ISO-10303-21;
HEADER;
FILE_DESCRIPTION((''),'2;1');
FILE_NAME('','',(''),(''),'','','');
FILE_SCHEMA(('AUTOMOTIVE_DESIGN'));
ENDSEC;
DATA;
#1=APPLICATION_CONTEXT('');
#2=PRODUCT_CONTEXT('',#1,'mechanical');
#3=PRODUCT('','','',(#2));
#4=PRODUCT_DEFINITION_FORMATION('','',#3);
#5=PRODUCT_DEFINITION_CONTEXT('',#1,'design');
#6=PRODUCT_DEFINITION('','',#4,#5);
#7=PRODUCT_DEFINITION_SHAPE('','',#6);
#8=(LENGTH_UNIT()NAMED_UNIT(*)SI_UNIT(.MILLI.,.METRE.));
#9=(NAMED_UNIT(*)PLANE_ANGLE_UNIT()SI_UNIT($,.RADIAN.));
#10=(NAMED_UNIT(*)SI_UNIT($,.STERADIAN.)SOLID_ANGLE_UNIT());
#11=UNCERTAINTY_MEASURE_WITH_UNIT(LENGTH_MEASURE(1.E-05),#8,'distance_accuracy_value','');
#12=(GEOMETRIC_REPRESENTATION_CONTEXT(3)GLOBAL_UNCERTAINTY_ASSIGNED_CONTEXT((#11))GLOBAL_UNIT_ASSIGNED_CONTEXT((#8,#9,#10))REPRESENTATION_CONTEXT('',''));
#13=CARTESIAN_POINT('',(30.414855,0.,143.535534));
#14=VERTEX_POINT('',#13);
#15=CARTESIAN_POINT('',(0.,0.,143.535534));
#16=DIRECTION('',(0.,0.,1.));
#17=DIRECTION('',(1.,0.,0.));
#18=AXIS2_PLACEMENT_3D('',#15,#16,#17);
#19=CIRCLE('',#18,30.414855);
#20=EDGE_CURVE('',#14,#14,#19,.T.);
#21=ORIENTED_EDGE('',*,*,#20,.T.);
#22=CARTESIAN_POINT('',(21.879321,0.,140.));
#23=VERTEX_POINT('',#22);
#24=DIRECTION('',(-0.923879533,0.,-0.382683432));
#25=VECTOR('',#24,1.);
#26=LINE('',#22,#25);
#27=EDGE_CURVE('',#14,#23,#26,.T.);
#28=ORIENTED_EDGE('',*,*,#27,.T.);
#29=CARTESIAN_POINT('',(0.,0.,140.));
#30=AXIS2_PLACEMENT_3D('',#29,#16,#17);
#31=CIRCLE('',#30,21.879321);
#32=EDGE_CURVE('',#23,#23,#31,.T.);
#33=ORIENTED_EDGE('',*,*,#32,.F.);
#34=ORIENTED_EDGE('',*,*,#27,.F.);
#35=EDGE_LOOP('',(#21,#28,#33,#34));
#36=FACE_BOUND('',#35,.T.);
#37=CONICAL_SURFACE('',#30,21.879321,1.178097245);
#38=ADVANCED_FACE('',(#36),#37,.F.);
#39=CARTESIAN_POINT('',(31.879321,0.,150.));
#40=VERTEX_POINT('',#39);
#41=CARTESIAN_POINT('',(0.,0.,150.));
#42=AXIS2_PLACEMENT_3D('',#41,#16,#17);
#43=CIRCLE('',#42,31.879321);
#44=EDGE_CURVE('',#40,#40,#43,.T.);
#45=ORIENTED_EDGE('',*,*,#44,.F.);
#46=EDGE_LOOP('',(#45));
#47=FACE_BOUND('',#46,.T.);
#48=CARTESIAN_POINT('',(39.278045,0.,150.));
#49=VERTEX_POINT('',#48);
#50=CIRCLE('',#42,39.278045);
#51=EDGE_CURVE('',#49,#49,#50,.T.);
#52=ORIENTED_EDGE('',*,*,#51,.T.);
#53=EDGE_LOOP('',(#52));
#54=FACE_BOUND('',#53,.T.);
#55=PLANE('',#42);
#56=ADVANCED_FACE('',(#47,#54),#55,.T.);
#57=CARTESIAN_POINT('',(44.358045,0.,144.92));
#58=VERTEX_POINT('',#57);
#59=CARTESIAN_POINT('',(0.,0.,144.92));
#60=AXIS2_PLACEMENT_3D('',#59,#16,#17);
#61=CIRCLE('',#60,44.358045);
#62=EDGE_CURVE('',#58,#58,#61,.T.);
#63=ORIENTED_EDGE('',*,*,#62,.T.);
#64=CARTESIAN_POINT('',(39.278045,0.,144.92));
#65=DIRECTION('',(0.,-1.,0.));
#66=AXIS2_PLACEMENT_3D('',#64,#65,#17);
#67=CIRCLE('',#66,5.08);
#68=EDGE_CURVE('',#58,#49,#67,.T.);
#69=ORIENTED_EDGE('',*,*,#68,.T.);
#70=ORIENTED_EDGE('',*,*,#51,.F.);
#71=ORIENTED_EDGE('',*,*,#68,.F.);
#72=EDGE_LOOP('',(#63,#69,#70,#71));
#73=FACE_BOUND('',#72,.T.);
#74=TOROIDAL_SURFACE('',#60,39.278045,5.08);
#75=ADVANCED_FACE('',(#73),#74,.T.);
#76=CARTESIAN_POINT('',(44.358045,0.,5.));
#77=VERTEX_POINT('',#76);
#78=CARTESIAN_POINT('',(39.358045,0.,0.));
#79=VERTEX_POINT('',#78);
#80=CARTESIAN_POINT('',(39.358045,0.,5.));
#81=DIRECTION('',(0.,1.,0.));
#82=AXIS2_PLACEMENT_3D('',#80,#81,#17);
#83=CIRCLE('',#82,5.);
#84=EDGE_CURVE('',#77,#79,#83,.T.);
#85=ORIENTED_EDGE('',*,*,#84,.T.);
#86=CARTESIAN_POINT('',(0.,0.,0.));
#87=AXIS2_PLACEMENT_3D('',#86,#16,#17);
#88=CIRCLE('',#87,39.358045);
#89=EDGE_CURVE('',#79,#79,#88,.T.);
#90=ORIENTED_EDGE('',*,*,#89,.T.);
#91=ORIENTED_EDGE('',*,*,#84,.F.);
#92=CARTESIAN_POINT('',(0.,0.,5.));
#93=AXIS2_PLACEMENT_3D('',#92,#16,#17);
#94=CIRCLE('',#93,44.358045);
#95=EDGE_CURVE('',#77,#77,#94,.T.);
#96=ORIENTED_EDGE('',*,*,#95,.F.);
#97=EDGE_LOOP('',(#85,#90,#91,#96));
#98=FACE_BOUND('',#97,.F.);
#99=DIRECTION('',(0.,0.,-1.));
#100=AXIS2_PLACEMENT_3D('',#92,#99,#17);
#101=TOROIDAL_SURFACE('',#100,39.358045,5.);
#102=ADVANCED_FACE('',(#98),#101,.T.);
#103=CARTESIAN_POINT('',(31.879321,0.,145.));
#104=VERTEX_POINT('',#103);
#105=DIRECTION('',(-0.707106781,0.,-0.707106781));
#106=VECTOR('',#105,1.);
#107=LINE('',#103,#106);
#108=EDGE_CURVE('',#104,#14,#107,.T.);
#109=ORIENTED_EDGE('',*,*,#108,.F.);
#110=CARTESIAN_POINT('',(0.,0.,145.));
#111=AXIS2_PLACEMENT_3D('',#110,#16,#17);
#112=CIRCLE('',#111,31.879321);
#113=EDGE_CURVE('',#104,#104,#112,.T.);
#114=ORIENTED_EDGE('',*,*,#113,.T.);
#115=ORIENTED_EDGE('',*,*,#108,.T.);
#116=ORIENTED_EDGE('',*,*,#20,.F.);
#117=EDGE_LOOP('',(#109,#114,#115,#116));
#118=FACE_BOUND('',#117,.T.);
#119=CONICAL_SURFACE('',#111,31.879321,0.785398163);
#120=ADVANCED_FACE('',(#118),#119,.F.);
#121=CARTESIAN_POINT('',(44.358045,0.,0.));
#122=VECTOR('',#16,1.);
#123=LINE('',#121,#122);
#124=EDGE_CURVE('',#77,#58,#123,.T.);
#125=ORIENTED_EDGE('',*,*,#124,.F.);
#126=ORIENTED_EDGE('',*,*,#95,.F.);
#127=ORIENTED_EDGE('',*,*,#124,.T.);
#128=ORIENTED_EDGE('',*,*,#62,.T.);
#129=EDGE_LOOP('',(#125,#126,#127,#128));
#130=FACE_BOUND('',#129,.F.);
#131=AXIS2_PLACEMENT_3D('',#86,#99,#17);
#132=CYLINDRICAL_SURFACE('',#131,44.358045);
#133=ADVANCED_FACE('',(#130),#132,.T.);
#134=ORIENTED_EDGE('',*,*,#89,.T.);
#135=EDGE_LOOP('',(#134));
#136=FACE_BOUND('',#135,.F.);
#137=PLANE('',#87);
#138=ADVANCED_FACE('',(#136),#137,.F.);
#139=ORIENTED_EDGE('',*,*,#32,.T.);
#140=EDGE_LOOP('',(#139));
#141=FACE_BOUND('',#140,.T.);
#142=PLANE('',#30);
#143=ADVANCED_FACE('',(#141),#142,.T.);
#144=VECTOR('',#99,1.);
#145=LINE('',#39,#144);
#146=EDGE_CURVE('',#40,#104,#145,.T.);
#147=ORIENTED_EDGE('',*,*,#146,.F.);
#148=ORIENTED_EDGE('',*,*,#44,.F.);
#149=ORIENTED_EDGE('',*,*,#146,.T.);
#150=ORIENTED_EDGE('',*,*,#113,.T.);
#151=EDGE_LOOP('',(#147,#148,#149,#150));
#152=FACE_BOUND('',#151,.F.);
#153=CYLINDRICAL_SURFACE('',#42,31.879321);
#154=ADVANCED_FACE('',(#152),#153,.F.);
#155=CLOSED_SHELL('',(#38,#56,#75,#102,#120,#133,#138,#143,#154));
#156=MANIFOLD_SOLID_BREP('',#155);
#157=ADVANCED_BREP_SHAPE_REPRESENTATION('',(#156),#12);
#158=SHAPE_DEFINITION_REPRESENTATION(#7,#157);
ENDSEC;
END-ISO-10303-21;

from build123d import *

# Parameters (mm, degrees)
F0_R      = 44.358045
F1_DEPTH  = 150
F2_R      = 5.08
F3_R      = 31.478982
F4_DEPTH  = 20
F5_R      = 31.879321
F6_DEPTH  = 10
F7_SIZE   = 5
F8_SIZE   = 5
F9_R      = 5
F10_R     = 31.442334
F11_DEPTH = 25
F12_R     = 31.785479
F13_DEPTH = 25
F14_R     = 32.188515
F15_DEPTH = 25


with BuildPart() as f1:
    # F0 (on Top) → F1 (new body)
    with BuildSketch(Plane.XY):
        Circle(F0_R)
    extrude(amount=F1_DEPTH)

    # F2
    f2_edges = [f1.edges().sort_by_distance(p)[0] for p in [
        (-44.358045, 0, 150),
    ]]
    fillet(f2_edges, radius=F2_R)

    # F3 (on face) → F4 (join)
    with BuildSketch(Plane.XY.offset(150)):
        Circle(F3_R)
    extrude(amount=-F4_DEPTH)

    # F5 (on face) → F6 (cut)
    with BuildSketch(Plane.XY.offset(150)):
        Circle(F5_R)
    extrude(amount=-F6_DEPTH, mode=Mode.SUBTRACT)

    # F7
    f7_edges = [f1.edges().sort_by_distance(p)[0] for p in [
        (-31.879321, 0, 140),
    ]]
    chamfer(f7_edges, length=F7_SIZE)

    # F8
    f8_edges = [f1.edges().sort_by_distance(p)[0] for p in [
        (-26.879321, 0, 140),
    ]]
    chamfer(f8_edges, length=F8_SIZE)

    # F9
    f9_edges = [f1.edges().sort_by_distance(p)[0] for p in [
        (-44.358045, 0, 0),
    ]]
    fillet(f9_edges, radius=F9_R)

    # F10 (on face) → F11 (join)
    with BuildSketch(Plane(origin=(0, 0, 0), x_dir=(1, 0, 0), z_dir=(0, 0, -1))):
        Circle(F10_R)
    extrude(amount=-F11_DEPTH)

    # F12 (on face) → F13 (join)
    with BuildSketch(Plane(origin=(0, 0, 0), x_dir=(1, 0, 0), z_dir=(0, 0, -1))):
        Circle(F12_R)
    extrude(amount=-F13_DEPTH)

    # F14 (on face) → F15 (join)
    with BuildSketch(Plane(origin=(0, 0, 0), x_dir=(1, 0, 0), z_dir=(0, 0, -1))):
        Circle(F14_R)
    extrude(amount=-F15_DEPTH)


solid = f1.part
